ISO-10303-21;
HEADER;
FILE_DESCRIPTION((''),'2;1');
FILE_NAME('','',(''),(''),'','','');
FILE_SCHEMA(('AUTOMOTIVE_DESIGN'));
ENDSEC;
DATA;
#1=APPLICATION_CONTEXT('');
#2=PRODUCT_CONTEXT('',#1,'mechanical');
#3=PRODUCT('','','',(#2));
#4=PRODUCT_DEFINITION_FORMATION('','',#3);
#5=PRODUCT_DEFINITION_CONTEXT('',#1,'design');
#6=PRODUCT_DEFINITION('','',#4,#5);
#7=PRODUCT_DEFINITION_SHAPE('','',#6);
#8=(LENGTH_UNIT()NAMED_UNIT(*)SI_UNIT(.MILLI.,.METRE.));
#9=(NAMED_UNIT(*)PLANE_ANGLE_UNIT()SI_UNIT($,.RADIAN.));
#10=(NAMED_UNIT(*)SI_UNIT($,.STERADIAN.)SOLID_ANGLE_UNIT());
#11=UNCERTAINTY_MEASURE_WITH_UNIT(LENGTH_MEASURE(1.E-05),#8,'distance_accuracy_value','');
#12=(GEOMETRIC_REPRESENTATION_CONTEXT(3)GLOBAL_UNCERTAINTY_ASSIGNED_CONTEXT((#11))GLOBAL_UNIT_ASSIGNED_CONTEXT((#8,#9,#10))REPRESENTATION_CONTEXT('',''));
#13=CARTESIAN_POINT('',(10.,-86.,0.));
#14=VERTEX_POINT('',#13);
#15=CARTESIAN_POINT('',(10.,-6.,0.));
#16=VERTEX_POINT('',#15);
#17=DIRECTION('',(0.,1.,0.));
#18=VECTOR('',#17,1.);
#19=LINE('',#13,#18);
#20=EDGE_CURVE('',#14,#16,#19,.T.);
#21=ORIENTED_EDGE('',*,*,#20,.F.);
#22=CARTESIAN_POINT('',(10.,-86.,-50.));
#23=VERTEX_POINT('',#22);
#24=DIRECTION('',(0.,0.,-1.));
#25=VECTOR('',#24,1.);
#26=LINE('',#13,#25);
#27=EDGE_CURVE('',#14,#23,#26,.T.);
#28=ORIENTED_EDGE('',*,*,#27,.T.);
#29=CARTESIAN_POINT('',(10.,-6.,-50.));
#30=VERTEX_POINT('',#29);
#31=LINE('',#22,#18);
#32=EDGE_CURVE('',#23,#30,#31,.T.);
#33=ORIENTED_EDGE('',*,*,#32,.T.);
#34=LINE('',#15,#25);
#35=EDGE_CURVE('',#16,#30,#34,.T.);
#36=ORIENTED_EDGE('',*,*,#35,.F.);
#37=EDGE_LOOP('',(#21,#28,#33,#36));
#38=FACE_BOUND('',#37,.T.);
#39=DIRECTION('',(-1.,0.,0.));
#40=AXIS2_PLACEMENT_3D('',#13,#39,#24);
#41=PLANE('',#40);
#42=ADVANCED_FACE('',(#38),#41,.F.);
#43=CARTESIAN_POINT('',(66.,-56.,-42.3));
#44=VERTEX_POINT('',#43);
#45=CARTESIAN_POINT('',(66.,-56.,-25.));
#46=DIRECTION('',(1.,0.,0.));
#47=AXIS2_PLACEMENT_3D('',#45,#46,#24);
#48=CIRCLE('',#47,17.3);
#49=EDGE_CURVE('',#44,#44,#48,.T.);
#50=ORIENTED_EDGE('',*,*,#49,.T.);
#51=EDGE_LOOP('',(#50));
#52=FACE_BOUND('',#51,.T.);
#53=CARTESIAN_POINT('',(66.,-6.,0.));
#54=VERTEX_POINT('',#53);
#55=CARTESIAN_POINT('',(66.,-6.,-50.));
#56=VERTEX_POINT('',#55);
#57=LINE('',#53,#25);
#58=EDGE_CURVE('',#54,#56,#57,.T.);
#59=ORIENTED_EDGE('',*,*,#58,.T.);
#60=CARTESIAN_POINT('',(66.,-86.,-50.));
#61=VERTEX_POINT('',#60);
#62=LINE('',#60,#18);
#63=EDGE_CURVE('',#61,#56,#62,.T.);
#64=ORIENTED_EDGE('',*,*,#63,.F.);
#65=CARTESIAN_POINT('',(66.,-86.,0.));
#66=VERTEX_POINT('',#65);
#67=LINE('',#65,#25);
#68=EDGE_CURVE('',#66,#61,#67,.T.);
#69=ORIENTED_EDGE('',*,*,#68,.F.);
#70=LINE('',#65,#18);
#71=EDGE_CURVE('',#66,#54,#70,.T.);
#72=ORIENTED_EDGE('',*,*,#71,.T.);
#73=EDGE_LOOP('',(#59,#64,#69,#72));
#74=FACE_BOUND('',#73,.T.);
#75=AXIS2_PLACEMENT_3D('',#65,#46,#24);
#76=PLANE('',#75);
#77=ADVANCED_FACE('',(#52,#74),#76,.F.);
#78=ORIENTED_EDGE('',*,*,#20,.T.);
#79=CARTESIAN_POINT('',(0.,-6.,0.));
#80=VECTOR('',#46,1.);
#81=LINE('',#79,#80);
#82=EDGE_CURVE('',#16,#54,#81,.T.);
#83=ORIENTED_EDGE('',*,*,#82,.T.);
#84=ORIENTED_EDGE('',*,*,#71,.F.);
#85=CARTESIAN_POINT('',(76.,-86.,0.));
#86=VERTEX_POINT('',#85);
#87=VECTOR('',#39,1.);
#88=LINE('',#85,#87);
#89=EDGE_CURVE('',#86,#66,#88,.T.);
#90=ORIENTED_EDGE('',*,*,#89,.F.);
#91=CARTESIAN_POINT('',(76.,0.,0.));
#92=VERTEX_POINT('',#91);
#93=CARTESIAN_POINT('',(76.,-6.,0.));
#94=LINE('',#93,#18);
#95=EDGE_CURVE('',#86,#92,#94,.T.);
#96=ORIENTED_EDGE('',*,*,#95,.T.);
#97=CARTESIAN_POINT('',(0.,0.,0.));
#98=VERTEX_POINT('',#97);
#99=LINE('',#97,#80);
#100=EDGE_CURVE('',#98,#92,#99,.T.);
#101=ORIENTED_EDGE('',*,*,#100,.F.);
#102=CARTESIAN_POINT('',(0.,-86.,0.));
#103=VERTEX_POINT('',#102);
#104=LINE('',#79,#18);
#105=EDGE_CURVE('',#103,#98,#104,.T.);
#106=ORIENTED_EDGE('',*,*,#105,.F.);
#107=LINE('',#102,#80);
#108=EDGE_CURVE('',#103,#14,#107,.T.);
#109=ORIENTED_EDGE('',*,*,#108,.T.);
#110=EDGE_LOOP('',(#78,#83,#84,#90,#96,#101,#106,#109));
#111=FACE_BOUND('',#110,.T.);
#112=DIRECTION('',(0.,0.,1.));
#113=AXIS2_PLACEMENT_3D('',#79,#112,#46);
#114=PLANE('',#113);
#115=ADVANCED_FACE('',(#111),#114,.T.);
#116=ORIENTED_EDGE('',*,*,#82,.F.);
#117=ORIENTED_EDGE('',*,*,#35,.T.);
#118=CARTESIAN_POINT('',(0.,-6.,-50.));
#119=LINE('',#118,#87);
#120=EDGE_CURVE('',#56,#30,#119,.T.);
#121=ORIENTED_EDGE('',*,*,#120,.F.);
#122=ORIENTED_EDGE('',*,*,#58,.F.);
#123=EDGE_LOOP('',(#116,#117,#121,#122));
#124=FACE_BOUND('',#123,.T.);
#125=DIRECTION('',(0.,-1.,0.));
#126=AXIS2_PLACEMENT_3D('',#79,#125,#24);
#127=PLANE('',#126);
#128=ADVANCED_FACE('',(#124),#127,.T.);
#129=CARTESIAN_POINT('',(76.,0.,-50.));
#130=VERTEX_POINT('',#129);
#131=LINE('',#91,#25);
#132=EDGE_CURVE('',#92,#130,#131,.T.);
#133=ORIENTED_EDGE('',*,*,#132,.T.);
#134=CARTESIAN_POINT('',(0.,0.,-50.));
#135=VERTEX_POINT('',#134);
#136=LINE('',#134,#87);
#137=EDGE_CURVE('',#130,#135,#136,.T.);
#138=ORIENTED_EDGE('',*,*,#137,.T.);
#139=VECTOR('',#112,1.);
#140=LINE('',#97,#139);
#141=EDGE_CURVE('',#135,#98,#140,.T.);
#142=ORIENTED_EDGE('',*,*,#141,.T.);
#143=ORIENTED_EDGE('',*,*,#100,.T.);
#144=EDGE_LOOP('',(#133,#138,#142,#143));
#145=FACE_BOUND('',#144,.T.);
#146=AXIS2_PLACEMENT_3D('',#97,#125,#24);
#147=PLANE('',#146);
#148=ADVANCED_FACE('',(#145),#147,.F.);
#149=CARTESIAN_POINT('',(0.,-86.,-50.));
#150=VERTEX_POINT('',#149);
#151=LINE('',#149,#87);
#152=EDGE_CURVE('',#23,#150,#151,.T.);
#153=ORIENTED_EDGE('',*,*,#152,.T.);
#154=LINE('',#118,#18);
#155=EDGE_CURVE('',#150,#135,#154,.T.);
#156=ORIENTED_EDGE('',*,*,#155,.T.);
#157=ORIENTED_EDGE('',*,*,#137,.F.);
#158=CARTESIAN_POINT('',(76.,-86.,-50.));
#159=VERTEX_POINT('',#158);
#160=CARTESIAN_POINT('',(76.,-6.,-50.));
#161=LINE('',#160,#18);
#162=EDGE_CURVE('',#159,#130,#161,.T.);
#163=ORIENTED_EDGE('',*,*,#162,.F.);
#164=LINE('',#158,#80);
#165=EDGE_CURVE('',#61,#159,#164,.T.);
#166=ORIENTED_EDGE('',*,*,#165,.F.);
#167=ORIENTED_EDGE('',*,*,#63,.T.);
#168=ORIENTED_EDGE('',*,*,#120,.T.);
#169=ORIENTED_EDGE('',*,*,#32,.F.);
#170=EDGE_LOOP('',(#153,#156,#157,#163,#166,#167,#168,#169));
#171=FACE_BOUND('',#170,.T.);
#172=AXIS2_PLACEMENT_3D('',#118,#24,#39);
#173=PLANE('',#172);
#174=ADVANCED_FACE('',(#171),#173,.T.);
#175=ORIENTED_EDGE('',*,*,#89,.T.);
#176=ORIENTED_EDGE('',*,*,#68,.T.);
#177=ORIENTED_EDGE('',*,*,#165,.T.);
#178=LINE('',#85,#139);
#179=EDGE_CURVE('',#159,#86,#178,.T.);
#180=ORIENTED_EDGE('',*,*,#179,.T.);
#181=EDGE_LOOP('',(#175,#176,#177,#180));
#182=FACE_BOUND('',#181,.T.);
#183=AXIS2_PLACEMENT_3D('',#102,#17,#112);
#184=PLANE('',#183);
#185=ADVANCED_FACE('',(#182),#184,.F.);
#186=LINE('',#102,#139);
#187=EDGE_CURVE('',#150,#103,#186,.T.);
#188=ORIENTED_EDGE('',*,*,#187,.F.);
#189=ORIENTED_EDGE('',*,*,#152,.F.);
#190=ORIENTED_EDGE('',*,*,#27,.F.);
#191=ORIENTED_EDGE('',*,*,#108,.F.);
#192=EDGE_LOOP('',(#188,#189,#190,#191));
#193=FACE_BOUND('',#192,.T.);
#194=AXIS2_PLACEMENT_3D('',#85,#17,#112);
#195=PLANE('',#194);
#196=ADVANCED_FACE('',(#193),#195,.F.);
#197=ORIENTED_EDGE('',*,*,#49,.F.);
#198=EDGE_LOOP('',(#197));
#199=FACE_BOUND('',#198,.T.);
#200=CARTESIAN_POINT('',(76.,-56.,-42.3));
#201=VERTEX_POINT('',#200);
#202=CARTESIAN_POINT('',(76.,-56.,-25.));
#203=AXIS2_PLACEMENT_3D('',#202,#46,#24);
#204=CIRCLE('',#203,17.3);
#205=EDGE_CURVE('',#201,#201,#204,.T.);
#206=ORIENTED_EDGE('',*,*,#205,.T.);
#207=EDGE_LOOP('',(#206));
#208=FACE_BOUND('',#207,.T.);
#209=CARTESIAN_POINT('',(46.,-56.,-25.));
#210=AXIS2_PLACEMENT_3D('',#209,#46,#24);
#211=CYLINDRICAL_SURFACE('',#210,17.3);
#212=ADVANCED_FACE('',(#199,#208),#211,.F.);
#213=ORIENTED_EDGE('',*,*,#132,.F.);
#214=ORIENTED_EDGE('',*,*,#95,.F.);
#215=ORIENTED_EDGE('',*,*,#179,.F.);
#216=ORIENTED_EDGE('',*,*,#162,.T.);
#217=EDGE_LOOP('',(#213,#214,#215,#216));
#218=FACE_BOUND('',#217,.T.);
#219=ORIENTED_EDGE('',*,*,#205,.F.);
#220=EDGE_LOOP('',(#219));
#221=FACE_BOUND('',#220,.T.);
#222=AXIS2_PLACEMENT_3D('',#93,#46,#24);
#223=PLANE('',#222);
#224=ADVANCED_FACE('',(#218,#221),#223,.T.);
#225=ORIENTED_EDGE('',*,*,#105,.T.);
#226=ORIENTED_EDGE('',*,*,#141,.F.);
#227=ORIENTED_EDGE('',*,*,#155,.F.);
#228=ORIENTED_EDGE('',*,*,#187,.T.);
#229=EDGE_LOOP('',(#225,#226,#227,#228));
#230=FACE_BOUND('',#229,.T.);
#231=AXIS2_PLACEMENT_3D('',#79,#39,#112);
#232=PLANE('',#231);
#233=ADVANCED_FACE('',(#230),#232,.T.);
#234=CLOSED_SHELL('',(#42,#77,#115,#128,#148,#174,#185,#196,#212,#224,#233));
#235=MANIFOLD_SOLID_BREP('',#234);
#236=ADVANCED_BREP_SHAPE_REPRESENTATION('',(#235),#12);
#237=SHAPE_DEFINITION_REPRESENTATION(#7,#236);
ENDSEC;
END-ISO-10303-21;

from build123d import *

# Parameters (mm, degrees)
SKETCH1_W                     = 76
SKETCH1_H                     = 50
UAV_INTERFACE_TOP_DEPTH       = 6
SKETCH2_W                     = 10
SKETCH2_H                     = 50
SPOOL_AND_MOTOR_INSERTS_DEPTH = 80
SKETCH3_R                     = 17.3
MOTOR_CUTOUT_DEPTH            = 30


with BuildPart() as part:
    # Sketch1 → UAV Interface Top (new body)
    with BuildSketch(Plane(origin=(0, 0, 0), x_dir=(1, 0, 0), z_dir=(0, 1, 0))):
        with Locations((38, 25)):
            Rectangle(SKETCH1_W, SKETCH1_H)
    extrude(amount=-UAV_INTERFACE_TOP_DEPTH)

    # Sketch2 → Spool and Motor Inserts (add)
    with BuildSketch(Plane.XZ.offset(6)):
        with Locations((71, -25)):
            Rectangle(SKETCH2_W, SKETCH2_H)
    extrude(amount=SPOOL_AND_MOTOR_INSERTS_DEPTH)

    # Mirror1: part across plane


with BuildPart() as part_1:
    add(part.part)
    add(part.part.mirror(Plane(origin=(38, 0, 0), x_dir=(0, 0, 1), z_dir=(1, 0, 0))))

    # Sketch3 → Motor Cutout (cut)
    with BuildSketch(Plane(origin=(76, 0, 0), x_dir=(0, 0, -1), z_dir=(1, 0, 0))):
        with Locations((25, -56)):
            Circle(SKETCH3_R)
    extrude(amount=-MOTOR_CUTOUT_DEPTH, mode=Mode.SUBTRACT)


solid = part_1.part
